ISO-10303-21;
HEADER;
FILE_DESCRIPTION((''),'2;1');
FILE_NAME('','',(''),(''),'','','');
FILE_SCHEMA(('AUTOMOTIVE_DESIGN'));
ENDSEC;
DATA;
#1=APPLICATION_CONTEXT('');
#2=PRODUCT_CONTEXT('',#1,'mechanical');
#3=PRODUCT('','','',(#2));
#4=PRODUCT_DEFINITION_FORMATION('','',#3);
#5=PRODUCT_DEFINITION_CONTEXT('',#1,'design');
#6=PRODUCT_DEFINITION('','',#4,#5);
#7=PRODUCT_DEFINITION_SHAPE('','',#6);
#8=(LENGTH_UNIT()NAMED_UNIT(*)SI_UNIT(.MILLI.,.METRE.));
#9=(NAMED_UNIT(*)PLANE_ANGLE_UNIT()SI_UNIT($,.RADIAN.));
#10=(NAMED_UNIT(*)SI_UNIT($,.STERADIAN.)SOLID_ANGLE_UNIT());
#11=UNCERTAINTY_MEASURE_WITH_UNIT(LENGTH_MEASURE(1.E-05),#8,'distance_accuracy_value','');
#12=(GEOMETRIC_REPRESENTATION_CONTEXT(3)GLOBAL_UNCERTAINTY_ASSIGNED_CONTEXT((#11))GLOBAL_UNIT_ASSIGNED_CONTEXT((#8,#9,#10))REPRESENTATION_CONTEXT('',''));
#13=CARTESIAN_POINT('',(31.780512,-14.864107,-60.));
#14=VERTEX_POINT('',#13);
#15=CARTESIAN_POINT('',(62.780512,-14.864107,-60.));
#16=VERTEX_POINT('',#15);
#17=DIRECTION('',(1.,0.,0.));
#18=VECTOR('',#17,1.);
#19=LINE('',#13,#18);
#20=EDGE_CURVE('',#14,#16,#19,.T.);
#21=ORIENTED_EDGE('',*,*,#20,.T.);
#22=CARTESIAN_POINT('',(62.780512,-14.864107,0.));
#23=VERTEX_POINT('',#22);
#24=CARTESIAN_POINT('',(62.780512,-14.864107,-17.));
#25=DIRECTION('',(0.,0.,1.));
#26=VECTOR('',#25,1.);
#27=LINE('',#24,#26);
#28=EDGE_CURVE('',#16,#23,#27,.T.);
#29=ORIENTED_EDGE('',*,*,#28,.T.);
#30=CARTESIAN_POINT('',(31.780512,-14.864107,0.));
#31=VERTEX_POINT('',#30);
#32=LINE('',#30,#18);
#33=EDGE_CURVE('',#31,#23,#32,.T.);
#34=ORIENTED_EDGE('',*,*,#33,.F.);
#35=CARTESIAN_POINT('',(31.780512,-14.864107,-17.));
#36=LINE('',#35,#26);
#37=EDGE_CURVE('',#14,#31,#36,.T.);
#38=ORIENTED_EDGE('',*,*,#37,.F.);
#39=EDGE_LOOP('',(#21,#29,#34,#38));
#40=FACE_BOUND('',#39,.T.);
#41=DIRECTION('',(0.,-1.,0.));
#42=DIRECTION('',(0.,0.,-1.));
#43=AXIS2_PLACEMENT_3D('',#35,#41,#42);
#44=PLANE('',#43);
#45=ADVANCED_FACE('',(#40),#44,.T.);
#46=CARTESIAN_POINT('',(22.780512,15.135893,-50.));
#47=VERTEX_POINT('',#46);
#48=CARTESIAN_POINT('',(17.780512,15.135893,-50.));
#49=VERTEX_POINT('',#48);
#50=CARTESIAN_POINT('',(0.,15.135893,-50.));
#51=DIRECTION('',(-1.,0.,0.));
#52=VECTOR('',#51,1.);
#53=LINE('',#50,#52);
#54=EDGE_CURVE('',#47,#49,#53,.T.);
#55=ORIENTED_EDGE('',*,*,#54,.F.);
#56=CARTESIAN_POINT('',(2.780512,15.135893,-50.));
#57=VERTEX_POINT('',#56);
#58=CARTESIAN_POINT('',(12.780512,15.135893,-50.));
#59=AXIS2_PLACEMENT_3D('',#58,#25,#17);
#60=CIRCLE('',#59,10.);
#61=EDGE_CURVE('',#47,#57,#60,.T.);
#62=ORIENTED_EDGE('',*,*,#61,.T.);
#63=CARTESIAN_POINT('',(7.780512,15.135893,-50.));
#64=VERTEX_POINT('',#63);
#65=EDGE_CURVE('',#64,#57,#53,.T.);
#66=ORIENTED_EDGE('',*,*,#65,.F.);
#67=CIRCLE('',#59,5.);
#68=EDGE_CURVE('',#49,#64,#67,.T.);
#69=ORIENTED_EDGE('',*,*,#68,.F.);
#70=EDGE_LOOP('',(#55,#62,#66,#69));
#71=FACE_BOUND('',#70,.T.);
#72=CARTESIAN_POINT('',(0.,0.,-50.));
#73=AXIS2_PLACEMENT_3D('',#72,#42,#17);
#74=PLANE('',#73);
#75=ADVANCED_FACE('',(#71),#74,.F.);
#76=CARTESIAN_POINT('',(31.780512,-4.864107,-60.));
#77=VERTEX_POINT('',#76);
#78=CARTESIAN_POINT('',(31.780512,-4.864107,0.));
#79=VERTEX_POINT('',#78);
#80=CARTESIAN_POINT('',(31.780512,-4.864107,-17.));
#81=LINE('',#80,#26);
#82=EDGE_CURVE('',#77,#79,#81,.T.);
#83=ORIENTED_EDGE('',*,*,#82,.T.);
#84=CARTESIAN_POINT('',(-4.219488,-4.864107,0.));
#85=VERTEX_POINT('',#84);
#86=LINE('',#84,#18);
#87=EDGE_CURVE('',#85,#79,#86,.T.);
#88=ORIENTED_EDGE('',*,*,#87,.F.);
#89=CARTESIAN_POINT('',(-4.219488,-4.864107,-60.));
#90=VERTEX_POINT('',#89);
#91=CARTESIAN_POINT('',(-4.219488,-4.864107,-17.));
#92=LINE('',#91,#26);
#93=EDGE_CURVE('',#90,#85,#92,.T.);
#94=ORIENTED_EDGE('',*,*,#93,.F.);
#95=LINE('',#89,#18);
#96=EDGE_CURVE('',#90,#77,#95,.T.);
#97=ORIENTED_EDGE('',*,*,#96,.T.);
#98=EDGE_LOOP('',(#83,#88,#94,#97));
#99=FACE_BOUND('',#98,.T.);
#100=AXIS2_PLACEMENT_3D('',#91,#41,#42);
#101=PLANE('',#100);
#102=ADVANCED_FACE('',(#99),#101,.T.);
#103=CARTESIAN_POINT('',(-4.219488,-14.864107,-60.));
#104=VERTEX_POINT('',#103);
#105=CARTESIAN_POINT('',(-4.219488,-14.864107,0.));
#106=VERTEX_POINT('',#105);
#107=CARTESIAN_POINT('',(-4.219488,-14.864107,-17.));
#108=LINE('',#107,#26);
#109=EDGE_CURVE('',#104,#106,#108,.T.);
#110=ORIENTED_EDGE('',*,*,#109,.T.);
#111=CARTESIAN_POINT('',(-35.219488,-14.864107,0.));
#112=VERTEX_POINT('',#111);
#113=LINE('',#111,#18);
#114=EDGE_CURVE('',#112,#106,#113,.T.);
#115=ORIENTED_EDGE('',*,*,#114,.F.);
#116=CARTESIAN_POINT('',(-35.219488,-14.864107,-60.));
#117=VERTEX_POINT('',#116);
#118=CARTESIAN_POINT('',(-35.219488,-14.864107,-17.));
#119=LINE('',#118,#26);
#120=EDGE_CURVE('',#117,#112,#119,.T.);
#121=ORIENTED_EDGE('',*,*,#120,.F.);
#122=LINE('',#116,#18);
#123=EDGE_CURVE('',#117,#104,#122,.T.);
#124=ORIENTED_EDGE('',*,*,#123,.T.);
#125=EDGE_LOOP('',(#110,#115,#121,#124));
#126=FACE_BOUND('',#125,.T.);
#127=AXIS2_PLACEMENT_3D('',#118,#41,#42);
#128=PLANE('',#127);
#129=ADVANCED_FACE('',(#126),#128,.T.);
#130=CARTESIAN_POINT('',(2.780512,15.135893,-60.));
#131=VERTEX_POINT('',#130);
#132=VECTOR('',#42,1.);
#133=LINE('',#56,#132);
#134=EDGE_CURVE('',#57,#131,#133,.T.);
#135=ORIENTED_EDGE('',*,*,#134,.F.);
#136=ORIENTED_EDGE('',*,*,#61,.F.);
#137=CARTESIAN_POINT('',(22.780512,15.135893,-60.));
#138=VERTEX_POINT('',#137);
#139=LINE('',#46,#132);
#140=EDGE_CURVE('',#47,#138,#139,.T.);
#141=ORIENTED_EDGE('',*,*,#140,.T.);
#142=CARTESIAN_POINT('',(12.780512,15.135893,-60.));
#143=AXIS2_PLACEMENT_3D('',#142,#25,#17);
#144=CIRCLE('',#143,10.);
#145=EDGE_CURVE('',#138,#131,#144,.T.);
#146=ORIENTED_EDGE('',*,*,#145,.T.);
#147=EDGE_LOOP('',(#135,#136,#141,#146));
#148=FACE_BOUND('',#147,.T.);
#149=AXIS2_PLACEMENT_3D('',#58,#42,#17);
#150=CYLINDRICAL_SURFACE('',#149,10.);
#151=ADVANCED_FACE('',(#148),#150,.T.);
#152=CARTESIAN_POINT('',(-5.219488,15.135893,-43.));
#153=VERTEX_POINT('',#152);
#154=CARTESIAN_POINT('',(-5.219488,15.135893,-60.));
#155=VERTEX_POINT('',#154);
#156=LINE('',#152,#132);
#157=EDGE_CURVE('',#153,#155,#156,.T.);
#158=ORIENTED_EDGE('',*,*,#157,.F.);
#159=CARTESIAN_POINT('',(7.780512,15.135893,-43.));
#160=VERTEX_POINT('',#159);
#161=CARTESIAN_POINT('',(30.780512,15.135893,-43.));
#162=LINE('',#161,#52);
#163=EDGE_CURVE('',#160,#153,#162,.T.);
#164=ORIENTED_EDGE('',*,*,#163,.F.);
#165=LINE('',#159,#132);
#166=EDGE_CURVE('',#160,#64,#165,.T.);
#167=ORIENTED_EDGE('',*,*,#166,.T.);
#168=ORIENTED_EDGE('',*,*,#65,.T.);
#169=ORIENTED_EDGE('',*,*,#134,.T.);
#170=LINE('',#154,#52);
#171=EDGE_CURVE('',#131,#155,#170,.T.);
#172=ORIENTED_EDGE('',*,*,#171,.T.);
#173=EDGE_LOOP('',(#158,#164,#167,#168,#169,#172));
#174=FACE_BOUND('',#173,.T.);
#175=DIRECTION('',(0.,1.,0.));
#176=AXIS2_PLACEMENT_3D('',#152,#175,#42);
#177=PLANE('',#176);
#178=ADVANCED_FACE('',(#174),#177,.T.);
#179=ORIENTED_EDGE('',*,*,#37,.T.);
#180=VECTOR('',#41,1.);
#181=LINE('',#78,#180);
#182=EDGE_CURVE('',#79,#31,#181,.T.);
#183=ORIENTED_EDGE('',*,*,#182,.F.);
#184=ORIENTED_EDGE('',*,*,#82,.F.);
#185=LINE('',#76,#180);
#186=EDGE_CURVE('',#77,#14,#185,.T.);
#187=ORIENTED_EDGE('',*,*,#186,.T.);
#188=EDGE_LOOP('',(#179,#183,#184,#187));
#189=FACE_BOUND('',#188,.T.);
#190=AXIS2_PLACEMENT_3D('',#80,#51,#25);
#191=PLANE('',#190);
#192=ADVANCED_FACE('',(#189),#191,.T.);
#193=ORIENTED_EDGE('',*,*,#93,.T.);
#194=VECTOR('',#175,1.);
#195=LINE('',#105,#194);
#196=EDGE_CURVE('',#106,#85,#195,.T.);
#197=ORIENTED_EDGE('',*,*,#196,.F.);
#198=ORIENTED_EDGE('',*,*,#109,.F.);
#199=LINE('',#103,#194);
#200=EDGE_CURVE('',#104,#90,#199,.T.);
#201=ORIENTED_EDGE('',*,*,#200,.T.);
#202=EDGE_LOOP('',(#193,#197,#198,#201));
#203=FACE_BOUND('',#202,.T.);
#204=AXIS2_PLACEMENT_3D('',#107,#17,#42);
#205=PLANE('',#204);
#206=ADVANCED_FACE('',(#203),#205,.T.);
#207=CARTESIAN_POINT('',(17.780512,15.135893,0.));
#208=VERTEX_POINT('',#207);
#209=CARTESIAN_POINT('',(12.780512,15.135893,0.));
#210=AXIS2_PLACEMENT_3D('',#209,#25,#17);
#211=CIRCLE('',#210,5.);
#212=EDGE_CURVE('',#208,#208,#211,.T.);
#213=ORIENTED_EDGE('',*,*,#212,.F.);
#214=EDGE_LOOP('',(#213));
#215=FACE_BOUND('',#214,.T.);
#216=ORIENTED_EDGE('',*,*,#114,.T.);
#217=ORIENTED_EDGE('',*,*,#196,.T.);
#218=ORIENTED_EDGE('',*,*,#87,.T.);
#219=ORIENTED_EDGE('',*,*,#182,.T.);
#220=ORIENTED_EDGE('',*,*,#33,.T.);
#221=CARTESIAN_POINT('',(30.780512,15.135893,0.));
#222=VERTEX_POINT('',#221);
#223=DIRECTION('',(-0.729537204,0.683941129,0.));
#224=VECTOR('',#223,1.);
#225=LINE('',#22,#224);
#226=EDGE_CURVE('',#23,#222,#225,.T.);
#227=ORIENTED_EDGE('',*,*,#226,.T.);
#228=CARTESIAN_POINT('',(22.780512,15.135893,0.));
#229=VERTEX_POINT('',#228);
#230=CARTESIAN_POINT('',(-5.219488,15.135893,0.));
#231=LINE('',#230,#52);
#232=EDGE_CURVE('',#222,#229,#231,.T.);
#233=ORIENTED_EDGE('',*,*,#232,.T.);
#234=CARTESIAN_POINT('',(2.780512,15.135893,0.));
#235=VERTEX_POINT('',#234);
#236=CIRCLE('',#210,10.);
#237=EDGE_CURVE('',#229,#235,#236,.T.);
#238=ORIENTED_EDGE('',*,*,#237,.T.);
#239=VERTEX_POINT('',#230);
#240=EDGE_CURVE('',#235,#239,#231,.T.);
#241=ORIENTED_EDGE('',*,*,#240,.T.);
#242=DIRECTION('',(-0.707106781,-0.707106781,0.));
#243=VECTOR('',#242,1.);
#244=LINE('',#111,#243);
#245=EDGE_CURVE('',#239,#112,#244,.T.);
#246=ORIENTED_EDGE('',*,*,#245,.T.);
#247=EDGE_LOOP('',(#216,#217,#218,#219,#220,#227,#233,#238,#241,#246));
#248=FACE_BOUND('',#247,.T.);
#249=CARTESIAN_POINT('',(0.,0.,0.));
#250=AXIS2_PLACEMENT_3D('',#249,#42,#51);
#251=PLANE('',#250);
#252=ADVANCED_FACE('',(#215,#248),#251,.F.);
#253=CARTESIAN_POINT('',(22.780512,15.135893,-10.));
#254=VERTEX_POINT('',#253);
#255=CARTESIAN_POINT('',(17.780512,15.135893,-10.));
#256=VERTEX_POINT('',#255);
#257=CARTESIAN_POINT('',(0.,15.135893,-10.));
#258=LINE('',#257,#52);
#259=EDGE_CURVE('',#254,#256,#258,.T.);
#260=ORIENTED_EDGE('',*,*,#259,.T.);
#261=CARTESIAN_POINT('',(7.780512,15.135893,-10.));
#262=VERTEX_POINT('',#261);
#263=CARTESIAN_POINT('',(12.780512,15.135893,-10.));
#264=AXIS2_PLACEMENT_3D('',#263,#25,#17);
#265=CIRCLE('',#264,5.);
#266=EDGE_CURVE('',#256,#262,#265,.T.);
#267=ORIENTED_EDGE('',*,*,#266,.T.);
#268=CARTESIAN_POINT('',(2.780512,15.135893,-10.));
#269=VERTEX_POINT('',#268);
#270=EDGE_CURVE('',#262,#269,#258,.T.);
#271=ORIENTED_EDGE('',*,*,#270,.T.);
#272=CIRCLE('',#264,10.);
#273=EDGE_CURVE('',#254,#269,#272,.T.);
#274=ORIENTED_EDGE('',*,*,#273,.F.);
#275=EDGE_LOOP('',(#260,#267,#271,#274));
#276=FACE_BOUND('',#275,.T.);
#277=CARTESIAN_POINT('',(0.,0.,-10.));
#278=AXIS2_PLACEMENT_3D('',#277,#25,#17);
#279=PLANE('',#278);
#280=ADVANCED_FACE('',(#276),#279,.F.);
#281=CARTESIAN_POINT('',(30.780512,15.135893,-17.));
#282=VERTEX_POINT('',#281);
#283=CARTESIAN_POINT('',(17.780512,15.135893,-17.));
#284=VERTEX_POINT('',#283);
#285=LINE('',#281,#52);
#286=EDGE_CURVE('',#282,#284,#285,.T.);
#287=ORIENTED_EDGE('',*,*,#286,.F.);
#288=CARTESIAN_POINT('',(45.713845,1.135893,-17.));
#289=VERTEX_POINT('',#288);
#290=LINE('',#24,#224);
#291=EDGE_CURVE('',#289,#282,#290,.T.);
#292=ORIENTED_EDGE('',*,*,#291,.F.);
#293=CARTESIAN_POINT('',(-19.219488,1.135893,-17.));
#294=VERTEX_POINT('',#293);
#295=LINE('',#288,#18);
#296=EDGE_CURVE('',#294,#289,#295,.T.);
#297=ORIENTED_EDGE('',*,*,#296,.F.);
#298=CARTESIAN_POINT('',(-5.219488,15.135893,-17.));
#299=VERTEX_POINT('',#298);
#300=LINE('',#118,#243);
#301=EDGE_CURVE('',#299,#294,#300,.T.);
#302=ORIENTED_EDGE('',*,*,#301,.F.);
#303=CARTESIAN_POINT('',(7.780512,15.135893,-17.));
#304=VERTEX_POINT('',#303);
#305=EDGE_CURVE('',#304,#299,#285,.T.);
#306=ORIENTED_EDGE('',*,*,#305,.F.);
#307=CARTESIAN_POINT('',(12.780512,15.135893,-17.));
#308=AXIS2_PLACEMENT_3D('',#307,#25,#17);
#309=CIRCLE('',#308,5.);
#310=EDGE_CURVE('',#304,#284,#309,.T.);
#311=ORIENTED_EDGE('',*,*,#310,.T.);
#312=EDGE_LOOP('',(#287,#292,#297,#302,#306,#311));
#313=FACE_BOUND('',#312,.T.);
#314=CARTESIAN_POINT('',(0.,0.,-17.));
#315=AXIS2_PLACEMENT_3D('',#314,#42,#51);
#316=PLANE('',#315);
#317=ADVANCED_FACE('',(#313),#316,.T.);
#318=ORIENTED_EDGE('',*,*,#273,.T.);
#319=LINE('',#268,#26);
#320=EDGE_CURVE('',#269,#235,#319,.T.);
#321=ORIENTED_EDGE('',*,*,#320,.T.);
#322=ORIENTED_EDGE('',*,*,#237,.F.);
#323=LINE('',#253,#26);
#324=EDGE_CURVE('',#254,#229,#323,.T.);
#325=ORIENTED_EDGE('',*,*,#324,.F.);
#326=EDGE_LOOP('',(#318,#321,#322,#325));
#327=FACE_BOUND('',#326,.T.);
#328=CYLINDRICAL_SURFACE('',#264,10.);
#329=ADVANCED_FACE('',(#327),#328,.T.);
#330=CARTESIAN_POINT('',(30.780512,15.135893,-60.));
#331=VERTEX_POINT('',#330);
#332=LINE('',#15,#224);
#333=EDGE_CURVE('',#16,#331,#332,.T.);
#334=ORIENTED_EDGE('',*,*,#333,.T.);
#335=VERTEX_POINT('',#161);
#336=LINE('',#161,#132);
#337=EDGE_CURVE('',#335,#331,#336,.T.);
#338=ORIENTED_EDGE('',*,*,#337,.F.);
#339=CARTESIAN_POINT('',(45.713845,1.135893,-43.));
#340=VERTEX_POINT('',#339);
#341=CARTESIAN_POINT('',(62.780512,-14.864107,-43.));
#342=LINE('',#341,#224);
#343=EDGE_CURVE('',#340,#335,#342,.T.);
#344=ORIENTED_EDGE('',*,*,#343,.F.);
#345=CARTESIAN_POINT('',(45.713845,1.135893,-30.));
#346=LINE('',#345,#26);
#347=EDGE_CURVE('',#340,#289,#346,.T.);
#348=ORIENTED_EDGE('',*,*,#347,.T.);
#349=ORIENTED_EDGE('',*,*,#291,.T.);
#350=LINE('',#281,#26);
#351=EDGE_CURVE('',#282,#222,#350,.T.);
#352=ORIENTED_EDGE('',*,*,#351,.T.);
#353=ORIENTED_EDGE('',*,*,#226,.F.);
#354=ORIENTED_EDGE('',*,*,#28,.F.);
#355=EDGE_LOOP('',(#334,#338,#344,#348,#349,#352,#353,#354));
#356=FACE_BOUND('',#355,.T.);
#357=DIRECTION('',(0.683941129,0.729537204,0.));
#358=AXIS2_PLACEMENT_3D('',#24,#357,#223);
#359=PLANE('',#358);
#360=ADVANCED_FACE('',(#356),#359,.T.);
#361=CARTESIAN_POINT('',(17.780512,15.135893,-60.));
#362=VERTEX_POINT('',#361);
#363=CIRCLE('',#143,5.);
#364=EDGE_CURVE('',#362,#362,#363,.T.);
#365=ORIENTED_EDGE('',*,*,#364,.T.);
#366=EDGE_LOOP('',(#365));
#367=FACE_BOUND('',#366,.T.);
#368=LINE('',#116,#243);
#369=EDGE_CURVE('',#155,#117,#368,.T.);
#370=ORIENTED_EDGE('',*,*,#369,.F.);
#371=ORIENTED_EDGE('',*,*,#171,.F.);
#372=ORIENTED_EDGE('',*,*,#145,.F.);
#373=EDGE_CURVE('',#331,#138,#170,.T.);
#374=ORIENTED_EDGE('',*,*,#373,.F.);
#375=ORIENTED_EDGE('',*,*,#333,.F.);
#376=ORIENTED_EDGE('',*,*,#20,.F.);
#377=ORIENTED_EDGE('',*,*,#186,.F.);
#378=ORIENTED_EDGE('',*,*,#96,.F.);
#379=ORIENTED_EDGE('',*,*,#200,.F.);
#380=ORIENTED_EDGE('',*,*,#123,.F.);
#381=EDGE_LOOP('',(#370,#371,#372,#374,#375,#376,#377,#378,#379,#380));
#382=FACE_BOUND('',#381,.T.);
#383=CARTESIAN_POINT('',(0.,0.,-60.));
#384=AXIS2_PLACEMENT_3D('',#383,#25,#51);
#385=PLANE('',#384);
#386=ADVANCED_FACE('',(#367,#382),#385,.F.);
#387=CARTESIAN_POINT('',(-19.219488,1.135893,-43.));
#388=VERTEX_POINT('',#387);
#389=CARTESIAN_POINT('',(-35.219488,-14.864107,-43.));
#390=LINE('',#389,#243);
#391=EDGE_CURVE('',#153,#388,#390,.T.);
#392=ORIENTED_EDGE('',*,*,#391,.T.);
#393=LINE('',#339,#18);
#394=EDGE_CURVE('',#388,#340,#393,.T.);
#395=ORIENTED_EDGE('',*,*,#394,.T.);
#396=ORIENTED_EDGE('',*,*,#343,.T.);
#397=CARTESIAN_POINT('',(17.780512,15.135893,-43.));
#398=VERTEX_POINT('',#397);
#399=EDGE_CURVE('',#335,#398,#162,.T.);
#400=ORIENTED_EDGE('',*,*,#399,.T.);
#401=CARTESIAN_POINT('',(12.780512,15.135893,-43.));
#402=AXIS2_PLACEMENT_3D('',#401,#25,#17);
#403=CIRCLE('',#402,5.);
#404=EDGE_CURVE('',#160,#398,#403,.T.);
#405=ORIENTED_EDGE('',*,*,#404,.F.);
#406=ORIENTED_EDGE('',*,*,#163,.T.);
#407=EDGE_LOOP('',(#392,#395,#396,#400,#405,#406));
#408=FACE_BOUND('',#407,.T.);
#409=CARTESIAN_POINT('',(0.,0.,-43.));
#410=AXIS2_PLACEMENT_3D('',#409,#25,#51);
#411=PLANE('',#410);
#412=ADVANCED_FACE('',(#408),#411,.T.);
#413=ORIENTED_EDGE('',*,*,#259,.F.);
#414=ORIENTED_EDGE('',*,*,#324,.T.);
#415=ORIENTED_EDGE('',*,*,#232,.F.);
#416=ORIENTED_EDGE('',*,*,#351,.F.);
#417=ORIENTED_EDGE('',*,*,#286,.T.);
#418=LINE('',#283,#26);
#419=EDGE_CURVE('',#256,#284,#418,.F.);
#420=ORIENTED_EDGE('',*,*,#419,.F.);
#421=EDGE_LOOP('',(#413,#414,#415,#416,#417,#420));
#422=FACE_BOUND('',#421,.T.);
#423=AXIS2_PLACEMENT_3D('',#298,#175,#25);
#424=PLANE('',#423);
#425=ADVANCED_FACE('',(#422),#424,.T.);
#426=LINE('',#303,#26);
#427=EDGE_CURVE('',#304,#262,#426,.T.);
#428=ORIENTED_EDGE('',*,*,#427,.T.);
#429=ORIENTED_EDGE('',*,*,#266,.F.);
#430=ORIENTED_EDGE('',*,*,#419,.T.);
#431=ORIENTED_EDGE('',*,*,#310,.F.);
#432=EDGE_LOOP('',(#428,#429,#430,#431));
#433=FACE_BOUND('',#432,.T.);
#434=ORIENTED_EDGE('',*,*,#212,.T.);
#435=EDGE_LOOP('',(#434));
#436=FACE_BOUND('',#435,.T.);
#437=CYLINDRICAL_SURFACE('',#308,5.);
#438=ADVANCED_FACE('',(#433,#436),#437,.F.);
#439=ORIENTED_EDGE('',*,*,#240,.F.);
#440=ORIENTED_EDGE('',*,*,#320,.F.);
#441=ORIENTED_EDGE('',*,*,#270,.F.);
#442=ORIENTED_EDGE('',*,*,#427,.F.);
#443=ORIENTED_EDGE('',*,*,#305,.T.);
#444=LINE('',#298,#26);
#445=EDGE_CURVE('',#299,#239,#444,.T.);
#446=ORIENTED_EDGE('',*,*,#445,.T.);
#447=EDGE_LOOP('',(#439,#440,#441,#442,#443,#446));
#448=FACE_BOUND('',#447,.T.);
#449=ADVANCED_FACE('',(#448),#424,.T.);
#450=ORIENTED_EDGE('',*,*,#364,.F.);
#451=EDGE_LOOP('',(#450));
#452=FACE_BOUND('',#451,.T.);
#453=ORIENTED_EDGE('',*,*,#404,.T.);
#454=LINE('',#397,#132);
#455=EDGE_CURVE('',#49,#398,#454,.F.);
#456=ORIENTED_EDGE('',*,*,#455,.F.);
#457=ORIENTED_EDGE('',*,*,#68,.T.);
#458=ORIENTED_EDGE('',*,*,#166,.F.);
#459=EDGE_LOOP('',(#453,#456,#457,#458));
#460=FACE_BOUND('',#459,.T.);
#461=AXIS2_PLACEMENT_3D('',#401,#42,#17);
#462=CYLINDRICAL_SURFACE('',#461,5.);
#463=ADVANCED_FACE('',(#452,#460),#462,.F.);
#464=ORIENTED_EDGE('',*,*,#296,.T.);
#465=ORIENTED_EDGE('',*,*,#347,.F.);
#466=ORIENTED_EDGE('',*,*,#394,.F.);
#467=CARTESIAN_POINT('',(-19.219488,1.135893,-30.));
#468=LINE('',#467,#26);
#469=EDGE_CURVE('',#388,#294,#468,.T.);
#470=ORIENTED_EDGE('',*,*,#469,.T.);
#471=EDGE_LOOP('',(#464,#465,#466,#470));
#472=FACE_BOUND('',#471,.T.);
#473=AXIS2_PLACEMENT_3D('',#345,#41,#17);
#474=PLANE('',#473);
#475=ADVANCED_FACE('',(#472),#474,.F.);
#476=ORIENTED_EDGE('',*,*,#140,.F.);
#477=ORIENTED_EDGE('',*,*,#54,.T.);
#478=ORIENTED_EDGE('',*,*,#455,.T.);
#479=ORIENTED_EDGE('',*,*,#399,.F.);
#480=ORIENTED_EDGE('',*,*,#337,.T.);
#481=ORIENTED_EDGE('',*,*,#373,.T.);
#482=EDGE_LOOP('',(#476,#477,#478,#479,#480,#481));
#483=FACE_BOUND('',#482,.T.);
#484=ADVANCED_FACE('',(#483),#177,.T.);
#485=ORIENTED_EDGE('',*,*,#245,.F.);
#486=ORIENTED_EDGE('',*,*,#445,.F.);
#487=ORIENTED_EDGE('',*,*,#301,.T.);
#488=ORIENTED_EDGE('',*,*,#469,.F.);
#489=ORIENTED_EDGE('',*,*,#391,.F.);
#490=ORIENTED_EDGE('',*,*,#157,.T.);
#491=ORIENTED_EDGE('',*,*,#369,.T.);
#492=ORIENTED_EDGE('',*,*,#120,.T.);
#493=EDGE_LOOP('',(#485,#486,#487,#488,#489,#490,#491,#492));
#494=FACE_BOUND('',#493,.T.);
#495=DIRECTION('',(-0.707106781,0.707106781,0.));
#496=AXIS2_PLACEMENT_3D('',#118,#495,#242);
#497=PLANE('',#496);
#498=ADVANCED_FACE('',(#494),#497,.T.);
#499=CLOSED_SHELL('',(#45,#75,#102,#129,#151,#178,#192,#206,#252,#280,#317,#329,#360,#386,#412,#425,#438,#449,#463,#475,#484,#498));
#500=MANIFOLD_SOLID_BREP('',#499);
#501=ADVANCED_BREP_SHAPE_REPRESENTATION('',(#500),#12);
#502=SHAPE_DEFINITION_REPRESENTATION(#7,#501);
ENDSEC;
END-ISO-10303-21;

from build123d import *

# Parameters (mm, degrees)
BOSS_EXTRUDE1_DEPTH = 17
BOSS_EXTRUDE2_DEPTH = 10
SKETCH3_R           = 5
CUT_EXTRUDE1_DEPTH  = 17
BOSS_EXTRUDE3_DEPTH = 13


with BuildPart() as part:
    # Sketch1 → Boss-Extrude1 (new body)
    with BuildSketch(Plane.XY):
        Polygon((-35.219488433, -14.864106981), (-4.219488433, -14.864106981), (-4.219488433, -4.864106981), (31.780511567, -4.864106981), (31.780511567, -14.864106981), (62.780511567, -14.864106981), (30.780511567, 15.135893019), (20.780511567, 15.135893019), (4.780511567, 15.135893019), (-5.219488433, 15.135893019), align=None)
    extrude(amount=-BOSS_EXTRUDE1_DEPTH)

    # Sketch2 → Boss-Extrude2 (add)
    with BuildSketch(Plane.XY):
        with BuildLine():
            ThreePointArc((22.780511567, 15.135893019), (12.780511567, 25.135893019), (2.780511567, 15.135893019))
            Line((2.780511567, 15.135893019), (22.780511567, 15.135893019))
        make_face()
        with BuildLine():
            Line((22.780511567, 15.135893019), (2.780511567, 15.135893019))
            ThreePointArc((2.780511567, 15.135893019), (12.780511567, 5.135893019), (22.780511567, 15.135893019))
        make_face()
    extrude(amount=-BOSS_EXTRUDE2_DEPTH)

    # Sketch3 → Cut-Extrude1 (cut)
    with BuildSketch(Plane.XY):
        with Locations((12.780511567, 15.135893019)):
            Circle(SKETCH3_R)
    extrude(amount=-CUT_EXTRUDE1_DEPTH, mode=Mode.SUBTRACT)

    # Sketch4 → Boss-Extrude3 (add)
    with BuildSketch(Plane(origin=(0, 0, -17), x_dir=(-1, 0, 0), z_dir=(0, 0, -1))):
        Polygon((-62.780511567, -14.864106981), (-45.7138449, 1.135893019), (19.219488433, 1.135893019), (35.219488433, -14.864106981), (4.219488433, -14.864106981), (4.219488433, -4.864106981), (-31.780511567, -4.864106981), (-31.780511567, -14.864106981), align=None)
    extrude(amount=BOSS_EXTRUDE3_DEPTH)

    # Mirror9: part across plane


with BuildPart() as part_1:
    add(part.part)
    add(part.part.mirror(Plane(origin=(0, 0, -30), x_dir=(1, 0, 0), z_dir=(0, 0, -1))))


solid = part_1.part
